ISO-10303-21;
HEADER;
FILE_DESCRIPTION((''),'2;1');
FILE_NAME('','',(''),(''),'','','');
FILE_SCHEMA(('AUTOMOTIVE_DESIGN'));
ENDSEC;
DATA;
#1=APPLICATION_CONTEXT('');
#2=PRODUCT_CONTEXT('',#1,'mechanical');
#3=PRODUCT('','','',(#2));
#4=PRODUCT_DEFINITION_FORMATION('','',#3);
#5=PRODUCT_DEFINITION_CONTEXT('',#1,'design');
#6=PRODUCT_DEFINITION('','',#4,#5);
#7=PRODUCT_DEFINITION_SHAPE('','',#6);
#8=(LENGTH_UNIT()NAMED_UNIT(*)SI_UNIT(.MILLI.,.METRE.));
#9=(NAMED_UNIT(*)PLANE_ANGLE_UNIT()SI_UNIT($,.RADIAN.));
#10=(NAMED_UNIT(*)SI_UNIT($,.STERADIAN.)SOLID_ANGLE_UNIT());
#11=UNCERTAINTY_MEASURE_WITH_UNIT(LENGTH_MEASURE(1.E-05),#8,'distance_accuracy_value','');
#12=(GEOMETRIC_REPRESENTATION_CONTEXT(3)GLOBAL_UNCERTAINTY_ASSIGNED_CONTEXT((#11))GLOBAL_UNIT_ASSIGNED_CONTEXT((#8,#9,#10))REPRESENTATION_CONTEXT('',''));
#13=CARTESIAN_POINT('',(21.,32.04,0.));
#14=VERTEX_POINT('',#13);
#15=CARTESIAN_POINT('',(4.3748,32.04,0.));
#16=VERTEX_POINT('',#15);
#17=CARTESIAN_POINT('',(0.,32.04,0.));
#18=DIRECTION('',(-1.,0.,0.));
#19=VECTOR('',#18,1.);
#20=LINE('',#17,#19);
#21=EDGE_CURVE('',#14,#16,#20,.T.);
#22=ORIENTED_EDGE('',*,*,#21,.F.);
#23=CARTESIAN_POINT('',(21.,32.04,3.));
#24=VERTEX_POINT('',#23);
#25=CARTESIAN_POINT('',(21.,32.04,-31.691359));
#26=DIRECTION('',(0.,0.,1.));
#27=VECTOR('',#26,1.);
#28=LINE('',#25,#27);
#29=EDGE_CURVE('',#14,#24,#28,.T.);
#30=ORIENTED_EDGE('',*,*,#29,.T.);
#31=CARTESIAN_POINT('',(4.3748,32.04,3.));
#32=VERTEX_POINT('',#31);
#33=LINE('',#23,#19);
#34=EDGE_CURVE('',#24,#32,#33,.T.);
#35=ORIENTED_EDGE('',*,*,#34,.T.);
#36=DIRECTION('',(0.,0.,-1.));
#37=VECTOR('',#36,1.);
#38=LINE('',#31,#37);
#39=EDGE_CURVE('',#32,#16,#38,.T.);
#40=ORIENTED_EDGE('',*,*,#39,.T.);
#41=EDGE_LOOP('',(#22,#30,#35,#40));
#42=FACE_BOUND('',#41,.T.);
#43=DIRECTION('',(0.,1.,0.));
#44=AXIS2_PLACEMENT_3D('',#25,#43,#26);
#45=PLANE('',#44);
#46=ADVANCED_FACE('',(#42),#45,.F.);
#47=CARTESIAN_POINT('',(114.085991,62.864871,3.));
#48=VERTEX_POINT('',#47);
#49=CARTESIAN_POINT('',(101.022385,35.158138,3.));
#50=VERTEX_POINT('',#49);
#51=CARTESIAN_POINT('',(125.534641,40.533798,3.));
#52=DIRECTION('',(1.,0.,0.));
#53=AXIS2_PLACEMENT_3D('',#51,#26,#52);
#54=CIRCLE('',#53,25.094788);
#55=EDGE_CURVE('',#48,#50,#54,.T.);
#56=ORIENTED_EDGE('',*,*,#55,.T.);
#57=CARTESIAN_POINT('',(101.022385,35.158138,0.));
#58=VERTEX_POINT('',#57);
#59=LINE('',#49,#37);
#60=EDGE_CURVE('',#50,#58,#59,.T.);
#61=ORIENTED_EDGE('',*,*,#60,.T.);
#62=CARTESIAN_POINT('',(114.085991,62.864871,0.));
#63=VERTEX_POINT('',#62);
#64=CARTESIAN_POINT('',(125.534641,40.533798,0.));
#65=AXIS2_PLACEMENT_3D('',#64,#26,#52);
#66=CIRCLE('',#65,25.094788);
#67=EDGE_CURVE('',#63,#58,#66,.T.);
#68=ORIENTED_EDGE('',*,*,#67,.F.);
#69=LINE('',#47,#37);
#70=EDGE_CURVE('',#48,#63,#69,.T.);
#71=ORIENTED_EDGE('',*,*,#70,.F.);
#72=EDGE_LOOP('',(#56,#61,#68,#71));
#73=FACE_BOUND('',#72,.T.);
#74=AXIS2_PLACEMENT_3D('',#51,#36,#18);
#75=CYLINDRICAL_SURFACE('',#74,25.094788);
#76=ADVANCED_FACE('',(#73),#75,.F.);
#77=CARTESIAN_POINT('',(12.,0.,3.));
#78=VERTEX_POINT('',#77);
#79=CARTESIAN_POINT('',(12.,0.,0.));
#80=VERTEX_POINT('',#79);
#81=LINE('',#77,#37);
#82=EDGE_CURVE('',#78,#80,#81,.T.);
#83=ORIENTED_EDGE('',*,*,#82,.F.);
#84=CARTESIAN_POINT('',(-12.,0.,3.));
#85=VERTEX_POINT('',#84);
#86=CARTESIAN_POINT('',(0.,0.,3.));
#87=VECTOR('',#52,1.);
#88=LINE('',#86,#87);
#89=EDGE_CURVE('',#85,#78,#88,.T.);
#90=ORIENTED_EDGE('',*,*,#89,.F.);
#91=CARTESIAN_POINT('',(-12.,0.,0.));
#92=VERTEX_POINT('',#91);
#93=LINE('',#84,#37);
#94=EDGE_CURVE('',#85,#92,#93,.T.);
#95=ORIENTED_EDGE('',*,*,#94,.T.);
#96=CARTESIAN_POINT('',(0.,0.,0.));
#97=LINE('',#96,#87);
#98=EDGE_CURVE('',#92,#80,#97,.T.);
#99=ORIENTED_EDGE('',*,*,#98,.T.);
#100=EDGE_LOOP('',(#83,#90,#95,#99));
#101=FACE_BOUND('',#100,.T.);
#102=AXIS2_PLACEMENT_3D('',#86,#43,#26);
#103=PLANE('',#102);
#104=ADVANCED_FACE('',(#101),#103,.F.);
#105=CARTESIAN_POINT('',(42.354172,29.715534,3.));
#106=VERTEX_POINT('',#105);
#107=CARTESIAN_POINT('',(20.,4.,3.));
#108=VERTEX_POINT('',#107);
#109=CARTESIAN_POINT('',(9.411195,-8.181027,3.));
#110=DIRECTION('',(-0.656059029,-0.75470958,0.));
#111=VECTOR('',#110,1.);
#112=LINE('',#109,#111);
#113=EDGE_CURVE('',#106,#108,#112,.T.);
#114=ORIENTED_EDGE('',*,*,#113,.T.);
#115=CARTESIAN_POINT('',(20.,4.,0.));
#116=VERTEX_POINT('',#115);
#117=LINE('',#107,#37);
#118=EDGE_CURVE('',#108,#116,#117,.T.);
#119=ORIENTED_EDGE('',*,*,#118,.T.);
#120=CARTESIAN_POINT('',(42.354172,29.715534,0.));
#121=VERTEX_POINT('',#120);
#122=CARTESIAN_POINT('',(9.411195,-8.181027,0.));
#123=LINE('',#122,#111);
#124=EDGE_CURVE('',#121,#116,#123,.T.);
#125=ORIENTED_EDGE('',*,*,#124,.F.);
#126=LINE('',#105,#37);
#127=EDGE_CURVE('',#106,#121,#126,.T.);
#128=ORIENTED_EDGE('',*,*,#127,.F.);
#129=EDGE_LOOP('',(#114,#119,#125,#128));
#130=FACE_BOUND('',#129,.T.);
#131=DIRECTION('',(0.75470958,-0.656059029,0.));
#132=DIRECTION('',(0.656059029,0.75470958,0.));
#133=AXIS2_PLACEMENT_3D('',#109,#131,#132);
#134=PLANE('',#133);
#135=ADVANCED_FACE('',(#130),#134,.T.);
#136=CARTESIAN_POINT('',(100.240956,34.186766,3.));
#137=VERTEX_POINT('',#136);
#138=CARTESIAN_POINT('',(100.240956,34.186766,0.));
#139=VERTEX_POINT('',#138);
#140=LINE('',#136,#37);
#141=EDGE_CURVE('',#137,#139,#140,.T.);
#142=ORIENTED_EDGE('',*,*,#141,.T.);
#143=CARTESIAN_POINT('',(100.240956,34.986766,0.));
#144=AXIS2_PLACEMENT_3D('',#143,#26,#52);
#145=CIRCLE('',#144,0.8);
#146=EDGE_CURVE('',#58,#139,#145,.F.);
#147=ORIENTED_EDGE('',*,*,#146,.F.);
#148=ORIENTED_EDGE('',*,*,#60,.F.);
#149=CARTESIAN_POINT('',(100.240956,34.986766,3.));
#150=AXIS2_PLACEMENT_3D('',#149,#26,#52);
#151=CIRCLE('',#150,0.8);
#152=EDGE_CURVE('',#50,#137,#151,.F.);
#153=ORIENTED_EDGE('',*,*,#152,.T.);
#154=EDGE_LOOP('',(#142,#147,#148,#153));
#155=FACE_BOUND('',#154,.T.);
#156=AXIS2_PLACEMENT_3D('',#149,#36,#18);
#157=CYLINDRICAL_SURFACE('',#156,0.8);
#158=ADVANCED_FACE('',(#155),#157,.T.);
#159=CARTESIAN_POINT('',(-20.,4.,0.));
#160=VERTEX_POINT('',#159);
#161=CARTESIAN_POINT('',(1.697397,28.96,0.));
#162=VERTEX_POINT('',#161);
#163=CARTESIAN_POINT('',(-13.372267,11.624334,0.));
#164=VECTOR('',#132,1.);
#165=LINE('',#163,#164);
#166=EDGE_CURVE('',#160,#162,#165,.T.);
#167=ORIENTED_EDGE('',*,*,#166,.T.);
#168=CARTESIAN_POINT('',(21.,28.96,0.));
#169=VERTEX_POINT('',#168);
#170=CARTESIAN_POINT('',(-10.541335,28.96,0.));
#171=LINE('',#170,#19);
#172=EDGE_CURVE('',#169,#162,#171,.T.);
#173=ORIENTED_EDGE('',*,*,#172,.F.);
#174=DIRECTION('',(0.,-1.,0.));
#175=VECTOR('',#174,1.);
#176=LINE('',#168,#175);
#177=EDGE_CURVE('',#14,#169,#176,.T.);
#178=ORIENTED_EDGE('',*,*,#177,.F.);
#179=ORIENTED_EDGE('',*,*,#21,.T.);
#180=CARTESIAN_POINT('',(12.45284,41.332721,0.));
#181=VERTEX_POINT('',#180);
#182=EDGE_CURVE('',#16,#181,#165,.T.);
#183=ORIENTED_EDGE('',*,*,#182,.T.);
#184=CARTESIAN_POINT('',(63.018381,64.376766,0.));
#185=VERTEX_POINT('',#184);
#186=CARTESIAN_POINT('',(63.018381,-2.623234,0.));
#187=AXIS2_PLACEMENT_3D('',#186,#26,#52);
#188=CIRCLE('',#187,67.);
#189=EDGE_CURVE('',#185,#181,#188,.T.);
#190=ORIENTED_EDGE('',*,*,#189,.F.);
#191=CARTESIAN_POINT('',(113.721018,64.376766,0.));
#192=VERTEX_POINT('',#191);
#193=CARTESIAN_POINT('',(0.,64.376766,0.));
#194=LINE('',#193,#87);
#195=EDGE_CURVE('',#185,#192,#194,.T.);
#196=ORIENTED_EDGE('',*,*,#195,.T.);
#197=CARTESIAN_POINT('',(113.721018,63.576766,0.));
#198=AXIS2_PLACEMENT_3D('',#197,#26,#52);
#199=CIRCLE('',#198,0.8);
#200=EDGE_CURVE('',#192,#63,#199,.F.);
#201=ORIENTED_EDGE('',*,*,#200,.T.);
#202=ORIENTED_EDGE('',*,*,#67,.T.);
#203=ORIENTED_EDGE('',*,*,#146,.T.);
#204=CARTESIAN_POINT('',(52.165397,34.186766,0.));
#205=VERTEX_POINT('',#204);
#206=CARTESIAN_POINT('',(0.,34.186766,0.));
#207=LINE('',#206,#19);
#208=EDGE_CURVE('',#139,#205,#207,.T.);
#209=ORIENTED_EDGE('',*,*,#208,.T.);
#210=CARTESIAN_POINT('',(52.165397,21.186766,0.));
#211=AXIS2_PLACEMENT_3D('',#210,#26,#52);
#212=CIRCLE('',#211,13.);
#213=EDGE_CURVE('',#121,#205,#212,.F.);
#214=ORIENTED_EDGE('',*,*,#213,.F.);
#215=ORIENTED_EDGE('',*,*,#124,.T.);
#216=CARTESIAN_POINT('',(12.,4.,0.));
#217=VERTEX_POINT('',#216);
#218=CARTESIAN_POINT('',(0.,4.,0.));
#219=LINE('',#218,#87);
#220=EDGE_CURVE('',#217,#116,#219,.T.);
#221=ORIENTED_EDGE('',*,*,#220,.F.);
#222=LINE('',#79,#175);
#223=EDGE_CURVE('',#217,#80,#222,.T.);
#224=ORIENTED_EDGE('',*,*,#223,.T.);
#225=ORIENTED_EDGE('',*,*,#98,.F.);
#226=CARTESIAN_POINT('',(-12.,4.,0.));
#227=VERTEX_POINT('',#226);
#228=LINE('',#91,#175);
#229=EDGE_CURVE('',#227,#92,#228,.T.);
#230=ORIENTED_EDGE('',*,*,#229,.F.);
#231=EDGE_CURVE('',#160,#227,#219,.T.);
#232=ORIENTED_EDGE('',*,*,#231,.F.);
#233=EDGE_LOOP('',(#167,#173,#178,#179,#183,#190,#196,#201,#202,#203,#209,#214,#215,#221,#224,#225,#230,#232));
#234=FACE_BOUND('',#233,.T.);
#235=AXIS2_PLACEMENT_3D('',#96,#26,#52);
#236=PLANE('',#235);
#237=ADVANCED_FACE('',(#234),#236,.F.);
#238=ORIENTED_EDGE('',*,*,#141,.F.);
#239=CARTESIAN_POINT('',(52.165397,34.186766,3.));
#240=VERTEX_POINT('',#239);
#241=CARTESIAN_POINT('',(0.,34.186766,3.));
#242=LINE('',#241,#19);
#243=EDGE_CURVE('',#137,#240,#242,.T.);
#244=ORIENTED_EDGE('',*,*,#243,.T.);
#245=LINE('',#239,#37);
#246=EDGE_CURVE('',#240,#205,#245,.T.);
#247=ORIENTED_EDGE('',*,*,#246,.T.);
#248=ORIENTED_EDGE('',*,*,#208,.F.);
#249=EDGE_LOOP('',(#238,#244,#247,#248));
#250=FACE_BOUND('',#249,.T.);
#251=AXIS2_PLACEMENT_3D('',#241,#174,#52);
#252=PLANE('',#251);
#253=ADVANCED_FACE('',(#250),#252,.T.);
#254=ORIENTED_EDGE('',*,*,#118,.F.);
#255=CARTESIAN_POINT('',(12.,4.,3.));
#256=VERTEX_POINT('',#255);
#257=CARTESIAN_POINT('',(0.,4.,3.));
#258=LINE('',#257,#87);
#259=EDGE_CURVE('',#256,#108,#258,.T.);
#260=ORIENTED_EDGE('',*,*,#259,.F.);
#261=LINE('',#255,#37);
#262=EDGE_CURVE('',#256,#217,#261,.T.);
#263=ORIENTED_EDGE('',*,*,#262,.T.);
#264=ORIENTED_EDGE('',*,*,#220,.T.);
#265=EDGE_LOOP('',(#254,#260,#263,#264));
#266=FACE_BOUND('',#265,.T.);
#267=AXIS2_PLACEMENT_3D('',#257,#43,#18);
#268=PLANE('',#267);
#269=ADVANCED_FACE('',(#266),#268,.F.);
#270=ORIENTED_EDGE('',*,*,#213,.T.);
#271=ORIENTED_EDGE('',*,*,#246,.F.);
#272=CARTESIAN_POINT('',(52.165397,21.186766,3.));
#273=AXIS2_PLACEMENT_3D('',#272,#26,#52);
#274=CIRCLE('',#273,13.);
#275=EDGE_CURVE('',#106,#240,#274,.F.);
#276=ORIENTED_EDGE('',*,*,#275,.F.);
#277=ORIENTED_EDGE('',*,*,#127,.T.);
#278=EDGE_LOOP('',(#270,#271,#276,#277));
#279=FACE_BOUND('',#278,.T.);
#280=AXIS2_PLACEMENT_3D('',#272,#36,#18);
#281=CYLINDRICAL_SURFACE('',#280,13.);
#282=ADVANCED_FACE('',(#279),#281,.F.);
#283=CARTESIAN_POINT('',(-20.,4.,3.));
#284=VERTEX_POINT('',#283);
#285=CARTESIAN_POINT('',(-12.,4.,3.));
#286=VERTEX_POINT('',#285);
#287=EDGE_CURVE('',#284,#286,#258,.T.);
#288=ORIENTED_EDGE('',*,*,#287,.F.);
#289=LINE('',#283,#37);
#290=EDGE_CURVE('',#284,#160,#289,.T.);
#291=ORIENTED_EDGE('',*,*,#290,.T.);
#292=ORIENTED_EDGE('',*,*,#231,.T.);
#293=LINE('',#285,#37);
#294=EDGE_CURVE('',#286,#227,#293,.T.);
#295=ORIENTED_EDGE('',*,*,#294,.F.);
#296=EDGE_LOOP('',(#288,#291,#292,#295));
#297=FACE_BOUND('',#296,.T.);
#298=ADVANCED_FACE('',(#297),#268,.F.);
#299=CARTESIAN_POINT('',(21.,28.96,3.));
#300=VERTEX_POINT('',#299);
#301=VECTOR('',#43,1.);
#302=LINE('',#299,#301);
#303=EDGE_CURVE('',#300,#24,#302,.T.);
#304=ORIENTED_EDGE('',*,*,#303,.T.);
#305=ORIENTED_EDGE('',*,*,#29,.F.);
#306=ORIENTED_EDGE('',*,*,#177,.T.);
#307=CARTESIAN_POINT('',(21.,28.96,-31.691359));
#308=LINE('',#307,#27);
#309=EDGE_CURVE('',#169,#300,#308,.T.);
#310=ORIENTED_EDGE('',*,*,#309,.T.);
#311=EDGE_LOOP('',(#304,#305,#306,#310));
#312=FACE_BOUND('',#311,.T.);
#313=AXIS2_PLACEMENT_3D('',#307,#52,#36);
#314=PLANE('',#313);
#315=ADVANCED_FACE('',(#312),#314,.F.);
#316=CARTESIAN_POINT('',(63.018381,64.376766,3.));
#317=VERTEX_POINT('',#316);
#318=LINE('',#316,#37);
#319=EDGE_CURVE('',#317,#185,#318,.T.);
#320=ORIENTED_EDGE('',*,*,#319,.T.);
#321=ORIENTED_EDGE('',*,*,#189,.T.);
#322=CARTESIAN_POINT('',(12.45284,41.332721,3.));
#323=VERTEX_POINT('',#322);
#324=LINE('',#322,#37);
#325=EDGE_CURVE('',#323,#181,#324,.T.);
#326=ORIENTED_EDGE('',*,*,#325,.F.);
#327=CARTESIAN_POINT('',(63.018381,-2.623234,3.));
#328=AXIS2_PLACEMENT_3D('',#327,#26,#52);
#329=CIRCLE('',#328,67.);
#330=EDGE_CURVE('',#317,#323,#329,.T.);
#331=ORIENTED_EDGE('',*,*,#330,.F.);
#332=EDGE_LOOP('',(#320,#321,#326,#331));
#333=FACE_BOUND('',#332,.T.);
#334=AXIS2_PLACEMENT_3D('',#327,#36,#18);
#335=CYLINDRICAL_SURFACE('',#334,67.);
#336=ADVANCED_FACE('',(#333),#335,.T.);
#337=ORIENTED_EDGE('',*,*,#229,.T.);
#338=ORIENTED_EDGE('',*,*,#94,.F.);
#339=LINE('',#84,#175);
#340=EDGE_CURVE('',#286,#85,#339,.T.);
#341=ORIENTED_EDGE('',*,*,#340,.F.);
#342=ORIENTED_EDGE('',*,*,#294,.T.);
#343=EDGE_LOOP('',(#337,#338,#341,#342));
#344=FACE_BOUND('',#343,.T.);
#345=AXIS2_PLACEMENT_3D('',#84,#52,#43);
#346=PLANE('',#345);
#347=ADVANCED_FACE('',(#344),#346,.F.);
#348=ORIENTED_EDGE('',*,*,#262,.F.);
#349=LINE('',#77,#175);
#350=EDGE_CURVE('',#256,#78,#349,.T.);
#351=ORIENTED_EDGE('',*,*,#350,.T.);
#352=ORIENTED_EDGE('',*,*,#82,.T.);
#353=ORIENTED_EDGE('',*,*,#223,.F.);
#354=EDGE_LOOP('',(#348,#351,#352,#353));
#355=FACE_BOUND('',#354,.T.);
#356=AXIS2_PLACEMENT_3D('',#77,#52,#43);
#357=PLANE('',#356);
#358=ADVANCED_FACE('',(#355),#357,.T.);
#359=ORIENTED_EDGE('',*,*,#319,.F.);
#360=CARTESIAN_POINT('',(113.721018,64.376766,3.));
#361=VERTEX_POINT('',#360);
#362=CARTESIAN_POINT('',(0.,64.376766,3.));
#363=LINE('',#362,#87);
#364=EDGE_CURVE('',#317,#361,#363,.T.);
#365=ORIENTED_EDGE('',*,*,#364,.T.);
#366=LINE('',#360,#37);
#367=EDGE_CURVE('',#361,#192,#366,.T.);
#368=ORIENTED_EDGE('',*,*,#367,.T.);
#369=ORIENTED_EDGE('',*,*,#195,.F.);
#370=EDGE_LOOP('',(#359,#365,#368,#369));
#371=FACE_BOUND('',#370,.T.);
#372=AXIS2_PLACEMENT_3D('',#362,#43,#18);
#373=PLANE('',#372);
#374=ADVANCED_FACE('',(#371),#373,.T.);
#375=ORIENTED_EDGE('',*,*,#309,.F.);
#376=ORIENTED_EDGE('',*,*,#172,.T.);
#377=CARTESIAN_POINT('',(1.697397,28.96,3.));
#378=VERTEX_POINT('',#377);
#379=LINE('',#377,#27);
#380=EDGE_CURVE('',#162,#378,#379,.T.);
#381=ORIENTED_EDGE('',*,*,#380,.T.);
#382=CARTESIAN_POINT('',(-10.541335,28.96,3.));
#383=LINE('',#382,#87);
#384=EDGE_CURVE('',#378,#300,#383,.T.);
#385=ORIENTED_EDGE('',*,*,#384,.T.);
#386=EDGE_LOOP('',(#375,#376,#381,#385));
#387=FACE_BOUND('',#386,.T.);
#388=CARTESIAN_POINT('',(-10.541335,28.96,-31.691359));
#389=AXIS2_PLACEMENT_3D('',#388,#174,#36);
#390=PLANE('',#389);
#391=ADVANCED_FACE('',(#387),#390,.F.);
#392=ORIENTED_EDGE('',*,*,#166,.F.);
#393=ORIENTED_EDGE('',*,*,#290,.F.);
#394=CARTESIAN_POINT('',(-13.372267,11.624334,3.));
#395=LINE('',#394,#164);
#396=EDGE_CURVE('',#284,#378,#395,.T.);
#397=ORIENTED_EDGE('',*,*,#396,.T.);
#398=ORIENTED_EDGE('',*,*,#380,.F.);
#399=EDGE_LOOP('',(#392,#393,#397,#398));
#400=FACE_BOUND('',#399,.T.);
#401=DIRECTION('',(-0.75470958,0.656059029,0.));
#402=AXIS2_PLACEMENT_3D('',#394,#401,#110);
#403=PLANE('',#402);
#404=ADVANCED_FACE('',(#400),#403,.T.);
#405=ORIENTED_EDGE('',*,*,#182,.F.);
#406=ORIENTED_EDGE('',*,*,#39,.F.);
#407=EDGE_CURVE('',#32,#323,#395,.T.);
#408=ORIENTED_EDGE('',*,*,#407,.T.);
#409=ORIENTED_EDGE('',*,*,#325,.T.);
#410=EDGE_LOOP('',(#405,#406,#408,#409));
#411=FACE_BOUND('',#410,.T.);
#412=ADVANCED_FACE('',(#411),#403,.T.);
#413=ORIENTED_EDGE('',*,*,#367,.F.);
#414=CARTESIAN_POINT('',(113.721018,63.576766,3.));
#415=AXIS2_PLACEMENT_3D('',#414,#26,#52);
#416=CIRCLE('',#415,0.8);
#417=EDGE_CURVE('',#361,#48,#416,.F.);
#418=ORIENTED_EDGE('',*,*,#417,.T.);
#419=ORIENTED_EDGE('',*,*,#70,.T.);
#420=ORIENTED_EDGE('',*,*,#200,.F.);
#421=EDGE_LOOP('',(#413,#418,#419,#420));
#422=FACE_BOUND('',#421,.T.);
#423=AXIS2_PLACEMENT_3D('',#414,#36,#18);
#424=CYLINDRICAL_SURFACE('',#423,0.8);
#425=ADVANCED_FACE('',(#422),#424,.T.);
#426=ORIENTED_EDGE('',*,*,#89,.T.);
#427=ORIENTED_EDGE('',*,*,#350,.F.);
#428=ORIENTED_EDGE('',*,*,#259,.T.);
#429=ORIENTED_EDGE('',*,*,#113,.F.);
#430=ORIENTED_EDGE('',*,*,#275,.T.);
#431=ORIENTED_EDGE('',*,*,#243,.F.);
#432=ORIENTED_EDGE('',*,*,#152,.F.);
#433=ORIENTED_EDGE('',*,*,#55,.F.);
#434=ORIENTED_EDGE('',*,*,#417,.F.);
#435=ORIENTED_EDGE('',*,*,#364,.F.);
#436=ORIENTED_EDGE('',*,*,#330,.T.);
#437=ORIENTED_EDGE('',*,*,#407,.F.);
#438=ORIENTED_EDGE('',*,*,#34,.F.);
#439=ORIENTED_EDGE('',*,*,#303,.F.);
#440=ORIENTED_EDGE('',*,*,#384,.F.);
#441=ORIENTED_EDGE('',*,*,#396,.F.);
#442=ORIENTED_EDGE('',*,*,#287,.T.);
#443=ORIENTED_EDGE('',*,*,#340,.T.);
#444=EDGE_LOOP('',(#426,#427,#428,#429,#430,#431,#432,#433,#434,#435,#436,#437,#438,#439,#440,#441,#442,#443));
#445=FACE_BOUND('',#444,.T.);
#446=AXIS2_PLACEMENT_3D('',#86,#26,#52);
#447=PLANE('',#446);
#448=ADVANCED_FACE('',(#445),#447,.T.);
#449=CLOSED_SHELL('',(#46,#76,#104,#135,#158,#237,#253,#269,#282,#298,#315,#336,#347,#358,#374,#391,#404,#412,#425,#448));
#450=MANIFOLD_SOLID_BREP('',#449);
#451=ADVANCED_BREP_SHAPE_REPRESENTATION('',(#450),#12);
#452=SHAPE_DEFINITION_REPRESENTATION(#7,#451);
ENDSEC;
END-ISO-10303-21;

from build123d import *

# Parameters (mm, degrees)
BOSS_EXTRUDE1_DEPTH = 3
SKETCH2_W           = 31.541335057
SKETCH2_H           = 3.08
CUT_EXTRUDE1_DEPTH  = 3


with BuildPart() as part:
    # Sketch1 → Boss-Extrude1 (new body)
    with BuildSketch(Plane.XY):
        with BuildLine():
            Line((12.452839565, 41.33272136), (-20, 4))
            Line((-20, 4), (-12, 4))
            Line((-12, 4), (-12, 0))
            Line((-12, 0), (12, 0))
            Line((12, 0), (12, 4))
            Line((12, 4), (20, 4))
            Line((20, 4), (42.354172484, 29.715533795))
            ThreePointArc((42.354172484, 29.715533795), (46.774384872, 33.016262939), (52.165397026, 34.186766418))
            Line((52.165397026, 34.186766418), (100.240955705, 34.186766418))
            ThreePointArc((100.240955705, 34.186766418), (100.86429233, 34.485317067), (101.02238507, 35.158137789))
            ThreePointArc((101.02238507, 35.158137789), (102.836349044, 51.235945442), (114.085991202, 62.864871253))
            ThreePointArc((114.085991202, 62.864871253), (114.498680148, 63.764494769), (113.721018225, 64.376766418))
            Line((113.721018225, 64.376766418), (63.01838144, 64.376766418))
            ThreePointArc((63.01838144, 64.376766418), (35.233934182, 58.344171567), (12.452839565, 41.33272136))
        make_face()
    extrude(amount=BOSS_EXTRUDE1_DEPTH)

    # Sketch2 → Cut-Extrude1 (cut)
    with BuildSketch(Plane.XY.offset(3)):
        with Locations((5.229332471, 30.5)):
            Rectangle(SKETCH2_W, SKETCH2_H)
    extrude(amount=-CUT_EXTRUDE1_DEPTH, mode=Mode.SUBTRACT)


solid = part.part
